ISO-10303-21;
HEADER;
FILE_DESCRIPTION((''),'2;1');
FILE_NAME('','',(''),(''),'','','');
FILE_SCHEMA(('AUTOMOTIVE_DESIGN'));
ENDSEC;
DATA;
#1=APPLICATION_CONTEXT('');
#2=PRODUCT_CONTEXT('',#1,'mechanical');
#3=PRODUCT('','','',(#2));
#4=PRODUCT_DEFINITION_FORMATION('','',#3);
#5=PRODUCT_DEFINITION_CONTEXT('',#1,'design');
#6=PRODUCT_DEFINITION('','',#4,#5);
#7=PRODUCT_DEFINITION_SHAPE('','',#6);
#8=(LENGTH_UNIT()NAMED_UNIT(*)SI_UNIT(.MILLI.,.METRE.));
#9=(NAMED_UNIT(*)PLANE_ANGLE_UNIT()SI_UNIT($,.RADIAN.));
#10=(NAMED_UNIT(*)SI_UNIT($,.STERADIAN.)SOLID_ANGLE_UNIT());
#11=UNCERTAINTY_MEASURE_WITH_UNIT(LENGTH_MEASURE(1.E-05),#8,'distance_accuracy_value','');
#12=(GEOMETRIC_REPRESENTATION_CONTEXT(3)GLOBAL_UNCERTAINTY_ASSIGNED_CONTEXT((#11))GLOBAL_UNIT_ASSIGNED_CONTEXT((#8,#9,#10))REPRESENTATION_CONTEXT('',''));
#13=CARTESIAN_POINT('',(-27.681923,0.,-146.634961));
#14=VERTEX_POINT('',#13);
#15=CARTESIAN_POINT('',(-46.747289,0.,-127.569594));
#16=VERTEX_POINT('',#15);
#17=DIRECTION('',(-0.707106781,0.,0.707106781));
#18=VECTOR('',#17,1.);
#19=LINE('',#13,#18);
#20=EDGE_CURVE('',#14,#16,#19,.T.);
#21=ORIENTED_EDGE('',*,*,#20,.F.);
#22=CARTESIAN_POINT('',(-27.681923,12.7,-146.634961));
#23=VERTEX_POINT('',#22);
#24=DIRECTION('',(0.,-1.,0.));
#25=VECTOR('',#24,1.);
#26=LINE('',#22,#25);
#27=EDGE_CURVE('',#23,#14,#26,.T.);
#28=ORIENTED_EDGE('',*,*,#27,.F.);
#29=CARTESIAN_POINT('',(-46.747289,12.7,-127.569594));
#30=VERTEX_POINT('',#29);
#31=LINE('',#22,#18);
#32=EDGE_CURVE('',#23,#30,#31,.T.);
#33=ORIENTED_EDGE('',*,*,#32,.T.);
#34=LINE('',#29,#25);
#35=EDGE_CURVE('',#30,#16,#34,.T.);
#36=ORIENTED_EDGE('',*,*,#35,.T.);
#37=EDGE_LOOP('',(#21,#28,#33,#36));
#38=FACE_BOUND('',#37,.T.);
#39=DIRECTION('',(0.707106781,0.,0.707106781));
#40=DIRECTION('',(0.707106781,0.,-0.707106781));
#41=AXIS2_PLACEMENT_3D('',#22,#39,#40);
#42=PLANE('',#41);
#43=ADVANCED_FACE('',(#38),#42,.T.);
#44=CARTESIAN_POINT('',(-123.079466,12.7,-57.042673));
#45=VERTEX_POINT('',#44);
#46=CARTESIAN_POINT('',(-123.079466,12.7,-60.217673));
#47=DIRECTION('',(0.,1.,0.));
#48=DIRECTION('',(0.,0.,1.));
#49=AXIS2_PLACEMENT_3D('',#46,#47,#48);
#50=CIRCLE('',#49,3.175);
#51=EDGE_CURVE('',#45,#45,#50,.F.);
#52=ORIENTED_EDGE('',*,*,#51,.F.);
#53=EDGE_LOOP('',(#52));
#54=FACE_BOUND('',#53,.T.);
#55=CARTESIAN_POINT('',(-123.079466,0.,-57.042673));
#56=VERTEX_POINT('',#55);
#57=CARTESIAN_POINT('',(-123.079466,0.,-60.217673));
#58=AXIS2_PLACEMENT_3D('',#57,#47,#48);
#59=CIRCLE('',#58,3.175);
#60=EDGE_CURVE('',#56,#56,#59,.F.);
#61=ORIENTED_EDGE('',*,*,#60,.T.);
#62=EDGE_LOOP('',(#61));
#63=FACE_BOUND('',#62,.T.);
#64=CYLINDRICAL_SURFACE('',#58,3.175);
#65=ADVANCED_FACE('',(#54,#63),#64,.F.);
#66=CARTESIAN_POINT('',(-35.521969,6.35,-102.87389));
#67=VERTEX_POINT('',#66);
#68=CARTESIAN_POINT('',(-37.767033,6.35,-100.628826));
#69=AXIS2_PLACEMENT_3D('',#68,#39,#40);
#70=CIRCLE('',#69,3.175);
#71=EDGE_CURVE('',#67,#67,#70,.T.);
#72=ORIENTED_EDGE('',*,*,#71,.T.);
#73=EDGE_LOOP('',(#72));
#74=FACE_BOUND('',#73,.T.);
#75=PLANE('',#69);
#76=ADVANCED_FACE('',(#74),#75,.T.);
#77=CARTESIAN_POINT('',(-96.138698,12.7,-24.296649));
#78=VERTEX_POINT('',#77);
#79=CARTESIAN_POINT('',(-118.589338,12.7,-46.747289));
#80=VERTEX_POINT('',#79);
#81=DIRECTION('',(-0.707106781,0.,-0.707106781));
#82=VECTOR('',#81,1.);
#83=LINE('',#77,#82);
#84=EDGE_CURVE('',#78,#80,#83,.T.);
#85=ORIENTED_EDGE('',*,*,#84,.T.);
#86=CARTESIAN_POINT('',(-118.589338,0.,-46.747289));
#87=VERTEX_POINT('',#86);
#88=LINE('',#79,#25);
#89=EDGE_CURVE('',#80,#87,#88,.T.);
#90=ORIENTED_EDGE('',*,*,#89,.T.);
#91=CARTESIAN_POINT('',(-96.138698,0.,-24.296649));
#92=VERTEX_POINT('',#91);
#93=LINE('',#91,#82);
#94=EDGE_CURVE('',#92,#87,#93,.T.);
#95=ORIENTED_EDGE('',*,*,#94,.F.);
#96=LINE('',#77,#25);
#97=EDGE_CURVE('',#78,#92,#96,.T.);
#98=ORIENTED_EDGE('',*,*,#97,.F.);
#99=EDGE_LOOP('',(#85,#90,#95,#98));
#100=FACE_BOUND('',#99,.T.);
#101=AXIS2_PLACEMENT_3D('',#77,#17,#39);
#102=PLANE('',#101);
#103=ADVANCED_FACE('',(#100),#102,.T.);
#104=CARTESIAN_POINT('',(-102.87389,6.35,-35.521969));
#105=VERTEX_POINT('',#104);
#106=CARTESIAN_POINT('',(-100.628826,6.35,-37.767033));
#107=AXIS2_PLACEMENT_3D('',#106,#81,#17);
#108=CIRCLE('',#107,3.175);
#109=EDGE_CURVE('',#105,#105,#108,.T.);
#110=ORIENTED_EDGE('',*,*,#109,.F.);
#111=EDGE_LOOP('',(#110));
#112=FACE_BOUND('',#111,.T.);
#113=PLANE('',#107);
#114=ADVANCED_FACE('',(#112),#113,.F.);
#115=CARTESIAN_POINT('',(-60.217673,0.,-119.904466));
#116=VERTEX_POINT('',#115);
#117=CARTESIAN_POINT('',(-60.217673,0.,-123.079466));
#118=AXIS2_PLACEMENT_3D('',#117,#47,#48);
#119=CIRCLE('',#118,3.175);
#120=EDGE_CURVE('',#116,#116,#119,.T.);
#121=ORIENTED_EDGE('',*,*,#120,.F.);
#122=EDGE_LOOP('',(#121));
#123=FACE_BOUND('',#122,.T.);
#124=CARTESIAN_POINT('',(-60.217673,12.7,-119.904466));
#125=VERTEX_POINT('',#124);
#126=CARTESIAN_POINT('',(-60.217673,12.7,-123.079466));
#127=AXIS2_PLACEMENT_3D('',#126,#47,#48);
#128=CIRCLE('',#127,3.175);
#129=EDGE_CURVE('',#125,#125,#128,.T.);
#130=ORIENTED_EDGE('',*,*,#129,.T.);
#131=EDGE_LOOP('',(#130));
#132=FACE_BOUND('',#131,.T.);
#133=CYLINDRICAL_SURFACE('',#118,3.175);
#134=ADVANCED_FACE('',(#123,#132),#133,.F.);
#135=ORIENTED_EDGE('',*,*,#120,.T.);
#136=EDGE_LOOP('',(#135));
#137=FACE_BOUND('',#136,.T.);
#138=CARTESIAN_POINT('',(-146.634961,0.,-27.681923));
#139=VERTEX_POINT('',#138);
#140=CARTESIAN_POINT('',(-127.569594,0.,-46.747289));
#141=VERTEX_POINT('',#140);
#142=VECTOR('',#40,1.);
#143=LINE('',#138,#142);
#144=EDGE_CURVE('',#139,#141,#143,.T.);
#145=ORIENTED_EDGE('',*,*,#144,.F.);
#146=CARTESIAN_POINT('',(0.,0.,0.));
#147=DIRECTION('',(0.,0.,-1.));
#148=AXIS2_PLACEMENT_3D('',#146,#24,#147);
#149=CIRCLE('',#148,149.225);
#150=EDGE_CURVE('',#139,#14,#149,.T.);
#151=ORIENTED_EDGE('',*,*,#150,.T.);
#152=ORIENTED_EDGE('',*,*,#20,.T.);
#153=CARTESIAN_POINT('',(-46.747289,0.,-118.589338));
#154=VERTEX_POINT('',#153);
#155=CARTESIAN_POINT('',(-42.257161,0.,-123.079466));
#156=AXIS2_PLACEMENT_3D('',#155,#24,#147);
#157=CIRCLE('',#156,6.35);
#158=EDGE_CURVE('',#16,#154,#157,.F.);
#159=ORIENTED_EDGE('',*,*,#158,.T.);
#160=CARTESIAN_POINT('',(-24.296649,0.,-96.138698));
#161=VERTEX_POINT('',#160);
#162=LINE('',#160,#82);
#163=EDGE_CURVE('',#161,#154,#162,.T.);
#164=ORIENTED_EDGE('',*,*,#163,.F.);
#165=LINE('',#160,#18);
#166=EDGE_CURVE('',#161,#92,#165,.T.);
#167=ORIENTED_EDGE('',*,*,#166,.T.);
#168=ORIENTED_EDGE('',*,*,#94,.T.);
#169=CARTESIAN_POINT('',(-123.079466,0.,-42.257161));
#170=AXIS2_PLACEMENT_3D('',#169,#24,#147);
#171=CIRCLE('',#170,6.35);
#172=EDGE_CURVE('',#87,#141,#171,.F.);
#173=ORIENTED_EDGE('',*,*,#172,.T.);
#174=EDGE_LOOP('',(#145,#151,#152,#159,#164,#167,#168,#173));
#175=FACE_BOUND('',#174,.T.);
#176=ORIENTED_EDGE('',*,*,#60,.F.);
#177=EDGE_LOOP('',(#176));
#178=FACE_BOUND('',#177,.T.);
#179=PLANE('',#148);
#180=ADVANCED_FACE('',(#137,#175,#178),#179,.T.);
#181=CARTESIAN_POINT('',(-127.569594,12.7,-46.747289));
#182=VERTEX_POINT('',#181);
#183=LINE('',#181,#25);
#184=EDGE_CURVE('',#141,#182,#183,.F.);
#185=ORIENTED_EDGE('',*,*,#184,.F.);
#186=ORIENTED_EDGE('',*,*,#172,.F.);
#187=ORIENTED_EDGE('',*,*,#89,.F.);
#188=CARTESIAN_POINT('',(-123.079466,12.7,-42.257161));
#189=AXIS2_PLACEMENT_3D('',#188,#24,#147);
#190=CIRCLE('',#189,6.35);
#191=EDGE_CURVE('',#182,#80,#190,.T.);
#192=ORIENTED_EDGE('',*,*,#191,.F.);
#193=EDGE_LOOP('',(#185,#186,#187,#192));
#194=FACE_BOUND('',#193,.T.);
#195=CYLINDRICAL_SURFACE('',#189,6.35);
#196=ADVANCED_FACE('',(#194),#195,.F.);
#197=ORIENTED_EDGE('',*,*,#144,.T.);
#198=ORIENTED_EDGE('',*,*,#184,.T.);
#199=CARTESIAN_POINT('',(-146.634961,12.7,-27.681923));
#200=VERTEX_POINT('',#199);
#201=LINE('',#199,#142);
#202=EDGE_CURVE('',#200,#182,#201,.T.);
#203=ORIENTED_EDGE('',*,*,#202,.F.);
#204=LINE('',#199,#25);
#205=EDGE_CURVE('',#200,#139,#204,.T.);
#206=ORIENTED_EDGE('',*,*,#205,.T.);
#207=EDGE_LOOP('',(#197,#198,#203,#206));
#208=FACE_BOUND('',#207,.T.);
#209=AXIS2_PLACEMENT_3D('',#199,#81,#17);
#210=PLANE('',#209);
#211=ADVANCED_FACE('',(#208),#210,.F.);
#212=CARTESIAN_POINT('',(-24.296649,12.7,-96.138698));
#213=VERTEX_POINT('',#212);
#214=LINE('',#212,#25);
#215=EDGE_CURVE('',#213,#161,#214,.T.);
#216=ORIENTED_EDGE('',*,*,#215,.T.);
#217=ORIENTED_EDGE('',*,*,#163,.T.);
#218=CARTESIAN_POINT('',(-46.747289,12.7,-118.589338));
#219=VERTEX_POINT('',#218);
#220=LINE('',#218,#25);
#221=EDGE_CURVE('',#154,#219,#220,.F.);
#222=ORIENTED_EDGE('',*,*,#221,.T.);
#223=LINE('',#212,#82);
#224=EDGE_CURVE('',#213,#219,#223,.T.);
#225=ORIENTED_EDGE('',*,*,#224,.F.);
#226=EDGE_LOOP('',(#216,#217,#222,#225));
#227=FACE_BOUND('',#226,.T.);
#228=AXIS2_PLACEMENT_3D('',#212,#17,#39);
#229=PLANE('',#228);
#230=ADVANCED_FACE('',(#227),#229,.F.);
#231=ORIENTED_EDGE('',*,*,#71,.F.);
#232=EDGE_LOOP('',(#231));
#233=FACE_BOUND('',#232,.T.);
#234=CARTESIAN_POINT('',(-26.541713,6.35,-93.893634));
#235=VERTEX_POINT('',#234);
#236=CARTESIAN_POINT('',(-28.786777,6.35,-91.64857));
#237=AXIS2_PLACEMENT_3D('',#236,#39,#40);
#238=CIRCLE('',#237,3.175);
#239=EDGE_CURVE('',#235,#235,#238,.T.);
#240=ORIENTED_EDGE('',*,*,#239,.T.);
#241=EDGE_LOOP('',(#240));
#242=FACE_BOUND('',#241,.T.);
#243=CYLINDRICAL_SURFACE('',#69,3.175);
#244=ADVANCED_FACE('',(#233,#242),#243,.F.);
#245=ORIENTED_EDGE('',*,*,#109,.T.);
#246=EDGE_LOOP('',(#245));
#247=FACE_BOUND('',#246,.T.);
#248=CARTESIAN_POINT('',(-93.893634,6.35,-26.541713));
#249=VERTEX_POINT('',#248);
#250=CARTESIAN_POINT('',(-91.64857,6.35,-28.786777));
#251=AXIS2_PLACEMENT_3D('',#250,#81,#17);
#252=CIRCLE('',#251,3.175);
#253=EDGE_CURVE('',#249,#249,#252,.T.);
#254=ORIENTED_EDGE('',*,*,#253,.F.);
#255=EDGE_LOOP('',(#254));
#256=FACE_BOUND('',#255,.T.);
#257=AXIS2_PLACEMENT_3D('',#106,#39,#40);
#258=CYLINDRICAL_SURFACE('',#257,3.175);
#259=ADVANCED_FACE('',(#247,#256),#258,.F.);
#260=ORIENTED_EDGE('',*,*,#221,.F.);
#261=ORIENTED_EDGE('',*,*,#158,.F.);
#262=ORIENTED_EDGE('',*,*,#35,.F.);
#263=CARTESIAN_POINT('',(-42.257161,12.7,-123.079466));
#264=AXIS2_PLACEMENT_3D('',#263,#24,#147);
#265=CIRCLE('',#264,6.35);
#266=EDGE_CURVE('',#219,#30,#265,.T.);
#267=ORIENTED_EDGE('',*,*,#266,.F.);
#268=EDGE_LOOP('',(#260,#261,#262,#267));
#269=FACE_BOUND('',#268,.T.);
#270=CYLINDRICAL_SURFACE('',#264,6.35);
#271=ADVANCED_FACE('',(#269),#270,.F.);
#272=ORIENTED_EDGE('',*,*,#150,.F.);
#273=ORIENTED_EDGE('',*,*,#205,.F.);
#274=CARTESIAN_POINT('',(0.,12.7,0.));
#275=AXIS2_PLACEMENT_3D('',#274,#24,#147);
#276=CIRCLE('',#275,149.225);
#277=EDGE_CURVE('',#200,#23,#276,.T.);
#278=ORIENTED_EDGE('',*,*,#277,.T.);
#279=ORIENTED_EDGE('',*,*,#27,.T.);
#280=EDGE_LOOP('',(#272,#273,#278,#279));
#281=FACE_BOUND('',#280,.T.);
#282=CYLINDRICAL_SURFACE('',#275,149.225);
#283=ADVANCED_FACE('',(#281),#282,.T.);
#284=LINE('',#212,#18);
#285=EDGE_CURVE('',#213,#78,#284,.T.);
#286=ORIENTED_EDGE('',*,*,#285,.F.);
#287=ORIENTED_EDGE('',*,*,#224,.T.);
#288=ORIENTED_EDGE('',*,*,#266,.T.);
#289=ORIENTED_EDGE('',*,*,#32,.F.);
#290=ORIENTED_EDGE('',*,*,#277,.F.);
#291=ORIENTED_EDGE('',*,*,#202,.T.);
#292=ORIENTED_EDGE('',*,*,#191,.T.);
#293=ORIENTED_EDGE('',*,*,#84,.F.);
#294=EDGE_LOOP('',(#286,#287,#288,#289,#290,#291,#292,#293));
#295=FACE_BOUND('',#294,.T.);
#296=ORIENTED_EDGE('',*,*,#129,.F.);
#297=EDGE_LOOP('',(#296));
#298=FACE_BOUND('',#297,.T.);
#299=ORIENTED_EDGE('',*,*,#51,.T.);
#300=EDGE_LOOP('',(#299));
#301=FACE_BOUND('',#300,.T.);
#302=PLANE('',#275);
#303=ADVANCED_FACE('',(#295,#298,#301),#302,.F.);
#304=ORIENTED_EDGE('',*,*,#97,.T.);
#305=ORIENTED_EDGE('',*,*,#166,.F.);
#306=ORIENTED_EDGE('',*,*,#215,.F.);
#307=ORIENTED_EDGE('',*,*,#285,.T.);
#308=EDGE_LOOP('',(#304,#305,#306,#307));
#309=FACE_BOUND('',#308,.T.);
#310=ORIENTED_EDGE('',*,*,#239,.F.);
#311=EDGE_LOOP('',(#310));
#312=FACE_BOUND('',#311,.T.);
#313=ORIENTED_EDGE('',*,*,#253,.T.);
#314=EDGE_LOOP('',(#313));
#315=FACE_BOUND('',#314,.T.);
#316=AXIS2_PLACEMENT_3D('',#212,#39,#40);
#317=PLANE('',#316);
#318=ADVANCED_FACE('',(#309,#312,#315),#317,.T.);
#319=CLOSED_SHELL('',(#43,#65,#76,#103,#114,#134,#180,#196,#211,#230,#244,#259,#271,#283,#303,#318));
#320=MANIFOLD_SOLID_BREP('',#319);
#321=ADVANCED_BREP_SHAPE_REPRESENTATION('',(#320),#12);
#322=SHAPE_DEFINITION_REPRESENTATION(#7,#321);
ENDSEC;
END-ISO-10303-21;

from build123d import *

# Parameters (mm, degrees)
CRADLE_DEPTH                                  = 12.7
SKETCH1_R                                     = 3.175
CUT_EXTRUDE1_DEPTH                            = 12.7
QUARTER_INCH_FILLETS_R                        = 6.35
SKETCH4_R                                     = 3.175
F_0_25_28_DIAMETER_TAPPED_HOLES_FOR_LID_DEPTH = 12.7


with BuildPart() as part:
    # Base → Cradle (new body)
    with BuildSketch(Plane(origin=(0, 0, 0), x_dir=(1, 0, 0), z_dir=(0, 1, 0))):
        with BuildLine():
            Line((-27.68192265, 146.634960986), (-51.237417334, 123.079466302))
            Line((-51.237417334, 123.079466302), (-24.296648971, 96.138697939))
            Line((-24.296648971, 96.138697939), (-96.138697939, 24.296648971))
            Line((-96.138697939, 24.296648971), (-123.079466302, 51.237417334))
            Line((-123.079466302, 51.237417334), (-146.634960986, 27.68192265))
            ThreePointArc((-146.634960986, 27.68192265), (-105.518009423, 105.518009423), (-27.68192265, 146.634960986))
        make_face()
    extrude(amount=CRADLE_DEPTH)

    # Sketch1 → Cut-Extrude1 (cut)
    with BuildSketch(Plane(origin=(0, 12.7, 0), x_dir=(1, 0, 0), z_dir=(0, 1, 0))):
        with Locations((-60.217673455, 123.079466302)):
            Circle(SKETCH1_R)
        with Locations((-123.079466302, 60.217673455)):
            Circle(SKETCH1_R)
    extrude(amount=-CUT_EXTRUDE1_DEPTH, mode=Mode.SUBTRACT)

    # Quarter Inch Fillets
    quarter_inch_fillets_edges = [part.edges().sort_by_distance(p)[0] for p in [
        (-123.079466302, 6.35, -51.237417334),
        (-51.237417334, 6.35, -123.079466302),
    ]]
    fillet(quarter_inch_fillets_edges, radius=QUARTER_INCH_FILLETS_R)

    # Sketch4 → 0.25"-28 Diameter Tapped Holes for Lid (cut)
    with BuildSketch(Plane(origin=(-60.217673455, 0, -60.217673455), x_dir=(0.707106781, 0, -0.707106781), z_dir=(0.707106781, 0, 0.707106781))):
        with Locations((44.45, 6.35)):
            Circle(SKETCH4_R)
        with Locations((-44.45, 6.35)):
            Circle(SKETCH4_R)
    extrude(amount=-F_0_25_28_DIAMETER_TAPPED_HOLES_FOR_LID_DEPTH, mode=Mode.SUBTRACT)


solid = part.part
